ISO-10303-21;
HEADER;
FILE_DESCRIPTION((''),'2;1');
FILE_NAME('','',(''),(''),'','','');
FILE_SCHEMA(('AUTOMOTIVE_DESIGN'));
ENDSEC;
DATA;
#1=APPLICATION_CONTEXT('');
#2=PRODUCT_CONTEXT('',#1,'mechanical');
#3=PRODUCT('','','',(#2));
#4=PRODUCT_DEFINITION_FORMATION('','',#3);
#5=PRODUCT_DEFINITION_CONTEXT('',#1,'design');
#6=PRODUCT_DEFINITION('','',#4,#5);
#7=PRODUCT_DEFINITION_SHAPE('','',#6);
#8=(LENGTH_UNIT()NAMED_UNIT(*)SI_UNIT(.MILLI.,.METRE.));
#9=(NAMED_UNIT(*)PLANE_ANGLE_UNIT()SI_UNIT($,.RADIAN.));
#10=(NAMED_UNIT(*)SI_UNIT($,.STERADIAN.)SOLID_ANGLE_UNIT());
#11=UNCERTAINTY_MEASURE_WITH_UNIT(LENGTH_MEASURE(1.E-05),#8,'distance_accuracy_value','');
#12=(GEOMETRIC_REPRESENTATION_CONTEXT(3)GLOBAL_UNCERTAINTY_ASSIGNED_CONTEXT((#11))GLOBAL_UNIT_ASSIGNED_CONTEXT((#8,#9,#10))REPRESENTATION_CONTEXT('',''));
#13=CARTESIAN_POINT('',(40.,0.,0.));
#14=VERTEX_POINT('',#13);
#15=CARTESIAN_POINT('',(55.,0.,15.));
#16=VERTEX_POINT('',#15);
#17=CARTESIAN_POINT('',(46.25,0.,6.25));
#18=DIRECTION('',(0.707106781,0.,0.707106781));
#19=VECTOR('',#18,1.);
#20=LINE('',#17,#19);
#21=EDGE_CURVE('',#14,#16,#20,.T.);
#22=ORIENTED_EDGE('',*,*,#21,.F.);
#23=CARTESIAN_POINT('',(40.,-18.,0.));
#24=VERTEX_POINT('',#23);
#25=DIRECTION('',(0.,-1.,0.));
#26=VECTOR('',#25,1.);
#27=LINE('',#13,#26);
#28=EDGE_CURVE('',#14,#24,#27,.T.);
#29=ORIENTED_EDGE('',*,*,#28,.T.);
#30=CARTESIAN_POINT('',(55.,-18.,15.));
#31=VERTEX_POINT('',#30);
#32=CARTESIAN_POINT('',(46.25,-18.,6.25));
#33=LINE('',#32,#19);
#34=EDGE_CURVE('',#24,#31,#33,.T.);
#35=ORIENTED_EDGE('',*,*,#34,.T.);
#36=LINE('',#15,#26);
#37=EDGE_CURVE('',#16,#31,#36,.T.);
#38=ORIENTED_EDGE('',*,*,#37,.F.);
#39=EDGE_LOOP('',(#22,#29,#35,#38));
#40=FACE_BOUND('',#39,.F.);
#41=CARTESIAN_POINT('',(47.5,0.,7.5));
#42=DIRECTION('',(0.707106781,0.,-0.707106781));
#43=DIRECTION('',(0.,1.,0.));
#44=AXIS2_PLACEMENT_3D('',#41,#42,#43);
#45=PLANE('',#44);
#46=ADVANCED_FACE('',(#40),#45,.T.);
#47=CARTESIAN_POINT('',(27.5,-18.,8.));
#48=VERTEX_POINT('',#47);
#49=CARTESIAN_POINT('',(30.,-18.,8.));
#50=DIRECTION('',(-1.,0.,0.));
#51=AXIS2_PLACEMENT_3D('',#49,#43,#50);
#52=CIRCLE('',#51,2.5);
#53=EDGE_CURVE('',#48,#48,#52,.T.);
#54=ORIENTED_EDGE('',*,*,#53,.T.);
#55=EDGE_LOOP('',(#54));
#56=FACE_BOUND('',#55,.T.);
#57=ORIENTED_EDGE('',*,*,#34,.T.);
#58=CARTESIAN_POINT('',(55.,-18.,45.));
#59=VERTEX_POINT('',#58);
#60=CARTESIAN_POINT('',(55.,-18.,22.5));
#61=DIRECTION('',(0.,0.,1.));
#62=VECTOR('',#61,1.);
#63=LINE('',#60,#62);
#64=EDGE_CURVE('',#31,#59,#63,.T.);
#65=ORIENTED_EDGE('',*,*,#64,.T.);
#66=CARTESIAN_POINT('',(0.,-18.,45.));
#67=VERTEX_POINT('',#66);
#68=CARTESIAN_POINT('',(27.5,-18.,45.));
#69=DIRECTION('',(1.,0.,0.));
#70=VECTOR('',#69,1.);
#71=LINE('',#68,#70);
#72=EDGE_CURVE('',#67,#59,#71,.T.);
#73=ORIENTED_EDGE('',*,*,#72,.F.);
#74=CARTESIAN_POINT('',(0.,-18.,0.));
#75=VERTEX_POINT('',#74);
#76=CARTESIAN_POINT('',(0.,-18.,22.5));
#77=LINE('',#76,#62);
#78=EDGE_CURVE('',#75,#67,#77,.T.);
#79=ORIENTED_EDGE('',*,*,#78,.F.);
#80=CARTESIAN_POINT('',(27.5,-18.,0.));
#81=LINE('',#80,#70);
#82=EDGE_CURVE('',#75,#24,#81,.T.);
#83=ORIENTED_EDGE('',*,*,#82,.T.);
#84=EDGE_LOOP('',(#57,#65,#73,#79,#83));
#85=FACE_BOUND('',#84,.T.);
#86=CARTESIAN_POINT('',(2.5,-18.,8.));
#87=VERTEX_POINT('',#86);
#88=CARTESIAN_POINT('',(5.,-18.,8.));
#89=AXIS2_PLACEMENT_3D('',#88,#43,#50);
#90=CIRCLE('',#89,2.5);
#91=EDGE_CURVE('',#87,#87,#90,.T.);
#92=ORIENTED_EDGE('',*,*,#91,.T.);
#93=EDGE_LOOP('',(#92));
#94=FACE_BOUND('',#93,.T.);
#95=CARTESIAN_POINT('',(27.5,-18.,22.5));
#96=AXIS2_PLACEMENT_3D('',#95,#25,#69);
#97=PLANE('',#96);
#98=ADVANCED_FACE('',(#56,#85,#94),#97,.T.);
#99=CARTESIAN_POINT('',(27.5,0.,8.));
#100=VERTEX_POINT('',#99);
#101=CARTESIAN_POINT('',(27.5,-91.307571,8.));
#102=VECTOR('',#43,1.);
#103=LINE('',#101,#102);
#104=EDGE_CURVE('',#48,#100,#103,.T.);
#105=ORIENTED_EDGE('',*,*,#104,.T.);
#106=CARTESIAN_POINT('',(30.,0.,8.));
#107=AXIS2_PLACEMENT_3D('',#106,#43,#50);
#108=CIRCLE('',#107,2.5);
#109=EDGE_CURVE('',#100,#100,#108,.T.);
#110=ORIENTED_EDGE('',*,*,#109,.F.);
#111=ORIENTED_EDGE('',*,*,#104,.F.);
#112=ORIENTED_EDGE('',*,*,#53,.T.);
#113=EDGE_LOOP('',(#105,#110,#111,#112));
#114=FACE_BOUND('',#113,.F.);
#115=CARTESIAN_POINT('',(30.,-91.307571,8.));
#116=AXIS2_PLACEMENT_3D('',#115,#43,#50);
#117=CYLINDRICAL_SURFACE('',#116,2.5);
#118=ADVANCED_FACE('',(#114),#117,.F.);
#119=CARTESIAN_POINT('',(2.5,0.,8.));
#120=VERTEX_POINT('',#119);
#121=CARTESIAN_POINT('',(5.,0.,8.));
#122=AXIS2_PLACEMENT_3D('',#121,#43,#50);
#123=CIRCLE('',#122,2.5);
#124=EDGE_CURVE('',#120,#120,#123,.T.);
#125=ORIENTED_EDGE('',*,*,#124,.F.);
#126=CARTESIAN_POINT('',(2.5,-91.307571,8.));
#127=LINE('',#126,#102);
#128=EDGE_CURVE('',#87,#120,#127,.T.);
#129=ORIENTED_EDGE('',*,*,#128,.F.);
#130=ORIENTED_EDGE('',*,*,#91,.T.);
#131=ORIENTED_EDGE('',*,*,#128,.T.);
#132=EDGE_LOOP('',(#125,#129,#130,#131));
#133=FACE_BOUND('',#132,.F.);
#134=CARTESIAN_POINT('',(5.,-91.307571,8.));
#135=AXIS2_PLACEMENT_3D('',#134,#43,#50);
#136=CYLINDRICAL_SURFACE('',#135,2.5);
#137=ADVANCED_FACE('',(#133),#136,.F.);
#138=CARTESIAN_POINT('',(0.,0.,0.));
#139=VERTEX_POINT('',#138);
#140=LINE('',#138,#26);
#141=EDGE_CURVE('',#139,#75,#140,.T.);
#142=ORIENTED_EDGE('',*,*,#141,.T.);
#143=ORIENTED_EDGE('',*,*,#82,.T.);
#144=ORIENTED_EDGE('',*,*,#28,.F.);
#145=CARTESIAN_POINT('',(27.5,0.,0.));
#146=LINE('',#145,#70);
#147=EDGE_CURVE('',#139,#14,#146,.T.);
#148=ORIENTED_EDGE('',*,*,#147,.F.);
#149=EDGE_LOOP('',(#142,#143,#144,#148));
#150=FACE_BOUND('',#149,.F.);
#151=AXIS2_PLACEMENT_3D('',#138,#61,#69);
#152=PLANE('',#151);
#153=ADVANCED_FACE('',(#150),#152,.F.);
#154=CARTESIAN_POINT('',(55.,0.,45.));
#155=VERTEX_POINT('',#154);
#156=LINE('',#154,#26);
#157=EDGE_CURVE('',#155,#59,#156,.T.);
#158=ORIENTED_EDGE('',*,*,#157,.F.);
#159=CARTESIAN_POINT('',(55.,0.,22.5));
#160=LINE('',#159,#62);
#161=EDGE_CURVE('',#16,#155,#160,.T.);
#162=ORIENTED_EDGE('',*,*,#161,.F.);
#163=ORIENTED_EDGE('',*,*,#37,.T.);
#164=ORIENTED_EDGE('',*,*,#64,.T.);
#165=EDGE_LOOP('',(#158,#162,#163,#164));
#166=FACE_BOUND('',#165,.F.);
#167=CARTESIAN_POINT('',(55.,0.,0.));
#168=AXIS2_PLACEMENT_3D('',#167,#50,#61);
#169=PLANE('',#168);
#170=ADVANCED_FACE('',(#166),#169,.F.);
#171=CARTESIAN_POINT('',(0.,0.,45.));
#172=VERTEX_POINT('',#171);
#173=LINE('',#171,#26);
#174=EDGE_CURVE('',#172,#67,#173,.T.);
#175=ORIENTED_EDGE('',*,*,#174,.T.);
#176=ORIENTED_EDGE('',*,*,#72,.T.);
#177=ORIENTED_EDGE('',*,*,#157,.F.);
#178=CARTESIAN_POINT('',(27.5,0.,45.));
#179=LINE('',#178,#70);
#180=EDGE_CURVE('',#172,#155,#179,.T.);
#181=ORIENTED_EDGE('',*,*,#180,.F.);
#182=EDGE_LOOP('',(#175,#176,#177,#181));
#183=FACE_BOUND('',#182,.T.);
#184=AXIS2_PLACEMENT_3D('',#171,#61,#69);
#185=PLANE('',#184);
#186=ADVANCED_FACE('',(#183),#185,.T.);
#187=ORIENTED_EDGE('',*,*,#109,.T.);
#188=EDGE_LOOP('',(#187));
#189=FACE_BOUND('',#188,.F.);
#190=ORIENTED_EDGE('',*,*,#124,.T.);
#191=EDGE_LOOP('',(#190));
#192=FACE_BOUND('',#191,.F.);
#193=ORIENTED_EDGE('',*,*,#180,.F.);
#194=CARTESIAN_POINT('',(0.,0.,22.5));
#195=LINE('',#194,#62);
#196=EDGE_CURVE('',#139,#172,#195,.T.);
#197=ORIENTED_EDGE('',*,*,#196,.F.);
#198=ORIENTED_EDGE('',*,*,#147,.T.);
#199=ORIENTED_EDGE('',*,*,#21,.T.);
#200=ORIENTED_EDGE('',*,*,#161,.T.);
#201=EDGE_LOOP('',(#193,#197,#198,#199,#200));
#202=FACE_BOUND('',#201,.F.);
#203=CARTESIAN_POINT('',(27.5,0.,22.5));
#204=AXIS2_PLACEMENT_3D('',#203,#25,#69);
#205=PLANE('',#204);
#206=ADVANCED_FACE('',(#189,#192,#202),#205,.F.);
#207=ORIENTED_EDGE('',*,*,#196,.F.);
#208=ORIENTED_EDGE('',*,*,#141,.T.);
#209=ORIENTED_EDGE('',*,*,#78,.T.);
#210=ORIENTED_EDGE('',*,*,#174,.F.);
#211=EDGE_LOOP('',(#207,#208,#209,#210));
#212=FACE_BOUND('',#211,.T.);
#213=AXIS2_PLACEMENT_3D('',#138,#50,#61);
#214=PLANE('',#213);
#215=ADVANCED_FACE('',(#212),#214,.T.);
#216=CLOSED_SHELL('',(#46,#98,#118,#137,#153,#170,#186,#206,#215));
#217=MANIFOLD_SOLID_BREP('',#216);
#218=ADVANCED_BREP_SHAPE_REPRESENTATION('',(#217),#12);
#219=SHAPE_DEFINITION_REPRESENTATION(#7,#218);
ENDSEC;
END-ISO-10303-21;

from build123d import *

# Parameters (mm, degrees)
F0_W     = 55
F0_H     = 45
F1_DEPTH = 18
F3_SIZE  = 15
F4_D     = 5


with BuildPart() as f1:
    # F0 (on Front) → F1 (new body)
    with BuildSketch(Plane.XZ):
        with Locations((27.5, 22.5)):
            Rectangle(F0_W, F0_H)
    extrude(amount=F1_DEPTH)

    # F3
    f3_edges = [f1.edges().sort_by_distance(p)[0] for p in [
        (55, -9, 0),
    ]]
    chamfer(f3_edges, length=F3_SIZE)

    # F4 (through all)
    with Locations(Plane.XZ.offset(18)):
        with Locations((30, 8), (5, 8)):
            Hole(F4_D / 2)


solid = f1.part
